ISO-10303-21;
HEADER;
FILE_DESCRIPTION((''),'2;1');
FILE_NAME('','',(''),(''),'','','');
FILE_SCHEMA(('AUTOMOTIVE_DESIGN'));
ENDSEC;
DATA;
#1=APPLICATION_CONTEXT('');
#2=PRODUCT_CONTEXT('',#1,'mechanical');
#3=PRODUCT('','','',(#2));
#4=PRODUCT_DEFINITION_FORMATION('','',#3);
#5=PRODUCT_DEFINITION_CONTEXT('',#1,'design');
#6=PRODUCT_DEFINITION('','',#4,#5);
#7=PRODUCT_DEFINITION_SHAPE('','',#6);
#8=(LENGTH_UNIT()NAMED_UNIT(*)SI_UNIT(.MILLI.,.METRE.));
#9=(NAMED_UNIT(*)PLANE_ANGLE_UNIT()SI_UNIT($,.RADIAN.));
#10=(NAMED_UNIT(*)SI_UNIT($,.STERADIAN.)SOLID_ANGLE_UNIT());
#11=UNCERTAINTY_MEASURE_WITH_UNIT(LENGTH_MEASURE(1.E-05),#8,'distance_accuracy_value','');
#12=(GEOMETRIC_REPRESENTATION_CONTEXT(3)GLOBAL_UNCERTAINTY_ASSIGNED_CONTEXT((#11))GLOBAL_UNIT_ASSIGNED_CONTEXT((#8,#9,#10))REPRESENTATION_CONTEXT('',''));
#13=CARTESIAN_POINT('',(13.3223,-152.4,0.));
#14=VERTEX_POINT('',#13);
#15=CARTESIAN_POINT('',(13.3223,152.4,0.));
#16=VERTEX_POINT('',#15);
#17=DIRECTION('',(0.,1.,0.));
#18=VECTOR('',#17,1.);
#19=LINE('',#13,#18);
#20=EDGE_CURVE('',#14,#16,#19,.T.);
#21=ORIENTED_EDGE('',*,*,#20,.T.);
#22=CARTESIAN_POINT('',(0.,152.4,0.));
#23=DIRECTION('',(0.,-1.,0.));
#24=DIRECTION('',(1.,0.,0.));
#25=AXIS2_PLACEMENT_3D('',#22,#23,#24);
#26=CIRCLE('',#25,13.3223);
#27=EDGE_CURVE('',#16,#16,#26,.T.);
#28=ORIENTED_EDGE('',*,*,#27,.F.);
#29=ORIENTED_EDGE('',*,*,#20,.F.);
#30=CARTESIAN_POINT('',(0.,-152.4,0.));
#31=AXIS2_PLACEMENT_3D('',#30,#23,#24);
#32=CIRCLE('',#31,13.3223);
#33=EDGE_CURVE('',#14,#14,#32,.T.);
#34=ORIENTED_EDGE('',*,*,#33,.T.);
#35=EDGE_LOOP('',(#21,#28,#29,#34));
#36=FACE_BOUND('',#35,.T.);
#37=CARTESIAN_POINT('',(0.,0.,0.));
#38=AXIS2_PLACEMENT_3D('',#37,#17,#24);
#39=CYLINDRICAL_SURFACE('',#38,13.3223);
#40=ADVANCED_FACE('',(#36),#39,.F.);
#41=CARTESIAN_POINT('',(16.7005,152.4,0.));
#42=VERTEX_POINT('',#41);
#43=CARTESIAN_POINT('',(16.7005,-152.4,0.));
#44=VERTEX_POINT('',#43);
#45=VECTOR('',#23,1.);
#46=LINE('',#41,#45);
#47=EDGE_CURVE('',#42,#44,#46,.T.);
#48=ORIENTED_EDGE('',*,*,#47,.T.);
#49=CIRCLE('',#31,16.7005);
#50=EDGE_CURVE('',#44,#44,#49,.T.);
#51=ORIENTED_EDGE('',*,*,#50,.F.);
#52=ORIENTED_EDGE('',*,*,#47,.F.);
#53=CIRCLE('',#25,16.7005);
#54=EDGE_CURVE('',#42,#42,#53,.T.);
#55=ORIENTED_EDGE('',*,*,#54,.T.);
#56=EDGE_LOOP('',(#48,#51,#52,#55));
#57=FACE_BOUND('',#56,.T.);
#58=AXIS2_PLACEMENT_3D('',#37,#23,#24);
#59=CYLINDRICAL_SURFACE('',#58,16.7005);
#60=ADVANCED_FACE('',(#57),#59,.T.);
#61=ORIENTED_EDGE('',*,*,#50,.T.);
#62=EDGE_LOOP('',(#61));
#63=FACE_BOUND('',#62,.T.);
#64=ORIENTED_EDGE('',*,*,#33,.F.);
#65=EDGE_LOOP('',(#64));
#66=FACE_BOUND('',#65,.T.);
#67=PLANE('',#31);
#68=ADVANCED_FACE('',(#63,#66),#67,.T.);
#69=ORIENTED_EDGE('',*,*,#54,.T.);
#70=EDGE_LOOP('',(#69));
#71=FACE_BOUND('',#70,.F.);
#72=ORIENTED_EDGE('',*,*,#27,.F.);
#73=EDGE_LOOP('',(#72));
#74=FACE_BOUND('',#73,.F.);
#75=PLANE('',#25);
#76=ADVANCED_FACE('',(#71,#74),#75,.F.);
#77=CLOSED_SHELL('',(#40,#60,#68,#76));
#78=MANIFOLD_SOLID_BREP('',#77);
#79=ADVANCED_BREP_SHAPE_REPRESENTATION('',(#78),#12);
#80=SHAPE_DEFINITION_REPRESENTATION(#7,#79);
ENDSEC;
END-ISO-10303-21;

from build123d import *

# Parameters (mm, degrees)
F0_R     = 16.7005
F0_R_2   = 13.3223
F1_DEPTH = 152.4
F3_R     = 28.470245
F4_DEPTH = 25.4


with BuildPart() as f1:
    # F0 (on Front) → F1 (new body, symmetric)
    with BuildSketch(Plane.XZ):
        Circle(F0_R)
        Circle(F0_R_2, mode=Mode.SUBTRACT)
    extrude(amount=F1_DEPTH, both=True)


with BuildPart() as f4:
    # F3 (on Right) → F4 (new body)
    with BuildSketch(Plane.YZ):
        with Locations((44.697168, 50.904491)):
            Circle(F3_R)
    extrude(amount=F4_DEPTH)


solid = f1.part
